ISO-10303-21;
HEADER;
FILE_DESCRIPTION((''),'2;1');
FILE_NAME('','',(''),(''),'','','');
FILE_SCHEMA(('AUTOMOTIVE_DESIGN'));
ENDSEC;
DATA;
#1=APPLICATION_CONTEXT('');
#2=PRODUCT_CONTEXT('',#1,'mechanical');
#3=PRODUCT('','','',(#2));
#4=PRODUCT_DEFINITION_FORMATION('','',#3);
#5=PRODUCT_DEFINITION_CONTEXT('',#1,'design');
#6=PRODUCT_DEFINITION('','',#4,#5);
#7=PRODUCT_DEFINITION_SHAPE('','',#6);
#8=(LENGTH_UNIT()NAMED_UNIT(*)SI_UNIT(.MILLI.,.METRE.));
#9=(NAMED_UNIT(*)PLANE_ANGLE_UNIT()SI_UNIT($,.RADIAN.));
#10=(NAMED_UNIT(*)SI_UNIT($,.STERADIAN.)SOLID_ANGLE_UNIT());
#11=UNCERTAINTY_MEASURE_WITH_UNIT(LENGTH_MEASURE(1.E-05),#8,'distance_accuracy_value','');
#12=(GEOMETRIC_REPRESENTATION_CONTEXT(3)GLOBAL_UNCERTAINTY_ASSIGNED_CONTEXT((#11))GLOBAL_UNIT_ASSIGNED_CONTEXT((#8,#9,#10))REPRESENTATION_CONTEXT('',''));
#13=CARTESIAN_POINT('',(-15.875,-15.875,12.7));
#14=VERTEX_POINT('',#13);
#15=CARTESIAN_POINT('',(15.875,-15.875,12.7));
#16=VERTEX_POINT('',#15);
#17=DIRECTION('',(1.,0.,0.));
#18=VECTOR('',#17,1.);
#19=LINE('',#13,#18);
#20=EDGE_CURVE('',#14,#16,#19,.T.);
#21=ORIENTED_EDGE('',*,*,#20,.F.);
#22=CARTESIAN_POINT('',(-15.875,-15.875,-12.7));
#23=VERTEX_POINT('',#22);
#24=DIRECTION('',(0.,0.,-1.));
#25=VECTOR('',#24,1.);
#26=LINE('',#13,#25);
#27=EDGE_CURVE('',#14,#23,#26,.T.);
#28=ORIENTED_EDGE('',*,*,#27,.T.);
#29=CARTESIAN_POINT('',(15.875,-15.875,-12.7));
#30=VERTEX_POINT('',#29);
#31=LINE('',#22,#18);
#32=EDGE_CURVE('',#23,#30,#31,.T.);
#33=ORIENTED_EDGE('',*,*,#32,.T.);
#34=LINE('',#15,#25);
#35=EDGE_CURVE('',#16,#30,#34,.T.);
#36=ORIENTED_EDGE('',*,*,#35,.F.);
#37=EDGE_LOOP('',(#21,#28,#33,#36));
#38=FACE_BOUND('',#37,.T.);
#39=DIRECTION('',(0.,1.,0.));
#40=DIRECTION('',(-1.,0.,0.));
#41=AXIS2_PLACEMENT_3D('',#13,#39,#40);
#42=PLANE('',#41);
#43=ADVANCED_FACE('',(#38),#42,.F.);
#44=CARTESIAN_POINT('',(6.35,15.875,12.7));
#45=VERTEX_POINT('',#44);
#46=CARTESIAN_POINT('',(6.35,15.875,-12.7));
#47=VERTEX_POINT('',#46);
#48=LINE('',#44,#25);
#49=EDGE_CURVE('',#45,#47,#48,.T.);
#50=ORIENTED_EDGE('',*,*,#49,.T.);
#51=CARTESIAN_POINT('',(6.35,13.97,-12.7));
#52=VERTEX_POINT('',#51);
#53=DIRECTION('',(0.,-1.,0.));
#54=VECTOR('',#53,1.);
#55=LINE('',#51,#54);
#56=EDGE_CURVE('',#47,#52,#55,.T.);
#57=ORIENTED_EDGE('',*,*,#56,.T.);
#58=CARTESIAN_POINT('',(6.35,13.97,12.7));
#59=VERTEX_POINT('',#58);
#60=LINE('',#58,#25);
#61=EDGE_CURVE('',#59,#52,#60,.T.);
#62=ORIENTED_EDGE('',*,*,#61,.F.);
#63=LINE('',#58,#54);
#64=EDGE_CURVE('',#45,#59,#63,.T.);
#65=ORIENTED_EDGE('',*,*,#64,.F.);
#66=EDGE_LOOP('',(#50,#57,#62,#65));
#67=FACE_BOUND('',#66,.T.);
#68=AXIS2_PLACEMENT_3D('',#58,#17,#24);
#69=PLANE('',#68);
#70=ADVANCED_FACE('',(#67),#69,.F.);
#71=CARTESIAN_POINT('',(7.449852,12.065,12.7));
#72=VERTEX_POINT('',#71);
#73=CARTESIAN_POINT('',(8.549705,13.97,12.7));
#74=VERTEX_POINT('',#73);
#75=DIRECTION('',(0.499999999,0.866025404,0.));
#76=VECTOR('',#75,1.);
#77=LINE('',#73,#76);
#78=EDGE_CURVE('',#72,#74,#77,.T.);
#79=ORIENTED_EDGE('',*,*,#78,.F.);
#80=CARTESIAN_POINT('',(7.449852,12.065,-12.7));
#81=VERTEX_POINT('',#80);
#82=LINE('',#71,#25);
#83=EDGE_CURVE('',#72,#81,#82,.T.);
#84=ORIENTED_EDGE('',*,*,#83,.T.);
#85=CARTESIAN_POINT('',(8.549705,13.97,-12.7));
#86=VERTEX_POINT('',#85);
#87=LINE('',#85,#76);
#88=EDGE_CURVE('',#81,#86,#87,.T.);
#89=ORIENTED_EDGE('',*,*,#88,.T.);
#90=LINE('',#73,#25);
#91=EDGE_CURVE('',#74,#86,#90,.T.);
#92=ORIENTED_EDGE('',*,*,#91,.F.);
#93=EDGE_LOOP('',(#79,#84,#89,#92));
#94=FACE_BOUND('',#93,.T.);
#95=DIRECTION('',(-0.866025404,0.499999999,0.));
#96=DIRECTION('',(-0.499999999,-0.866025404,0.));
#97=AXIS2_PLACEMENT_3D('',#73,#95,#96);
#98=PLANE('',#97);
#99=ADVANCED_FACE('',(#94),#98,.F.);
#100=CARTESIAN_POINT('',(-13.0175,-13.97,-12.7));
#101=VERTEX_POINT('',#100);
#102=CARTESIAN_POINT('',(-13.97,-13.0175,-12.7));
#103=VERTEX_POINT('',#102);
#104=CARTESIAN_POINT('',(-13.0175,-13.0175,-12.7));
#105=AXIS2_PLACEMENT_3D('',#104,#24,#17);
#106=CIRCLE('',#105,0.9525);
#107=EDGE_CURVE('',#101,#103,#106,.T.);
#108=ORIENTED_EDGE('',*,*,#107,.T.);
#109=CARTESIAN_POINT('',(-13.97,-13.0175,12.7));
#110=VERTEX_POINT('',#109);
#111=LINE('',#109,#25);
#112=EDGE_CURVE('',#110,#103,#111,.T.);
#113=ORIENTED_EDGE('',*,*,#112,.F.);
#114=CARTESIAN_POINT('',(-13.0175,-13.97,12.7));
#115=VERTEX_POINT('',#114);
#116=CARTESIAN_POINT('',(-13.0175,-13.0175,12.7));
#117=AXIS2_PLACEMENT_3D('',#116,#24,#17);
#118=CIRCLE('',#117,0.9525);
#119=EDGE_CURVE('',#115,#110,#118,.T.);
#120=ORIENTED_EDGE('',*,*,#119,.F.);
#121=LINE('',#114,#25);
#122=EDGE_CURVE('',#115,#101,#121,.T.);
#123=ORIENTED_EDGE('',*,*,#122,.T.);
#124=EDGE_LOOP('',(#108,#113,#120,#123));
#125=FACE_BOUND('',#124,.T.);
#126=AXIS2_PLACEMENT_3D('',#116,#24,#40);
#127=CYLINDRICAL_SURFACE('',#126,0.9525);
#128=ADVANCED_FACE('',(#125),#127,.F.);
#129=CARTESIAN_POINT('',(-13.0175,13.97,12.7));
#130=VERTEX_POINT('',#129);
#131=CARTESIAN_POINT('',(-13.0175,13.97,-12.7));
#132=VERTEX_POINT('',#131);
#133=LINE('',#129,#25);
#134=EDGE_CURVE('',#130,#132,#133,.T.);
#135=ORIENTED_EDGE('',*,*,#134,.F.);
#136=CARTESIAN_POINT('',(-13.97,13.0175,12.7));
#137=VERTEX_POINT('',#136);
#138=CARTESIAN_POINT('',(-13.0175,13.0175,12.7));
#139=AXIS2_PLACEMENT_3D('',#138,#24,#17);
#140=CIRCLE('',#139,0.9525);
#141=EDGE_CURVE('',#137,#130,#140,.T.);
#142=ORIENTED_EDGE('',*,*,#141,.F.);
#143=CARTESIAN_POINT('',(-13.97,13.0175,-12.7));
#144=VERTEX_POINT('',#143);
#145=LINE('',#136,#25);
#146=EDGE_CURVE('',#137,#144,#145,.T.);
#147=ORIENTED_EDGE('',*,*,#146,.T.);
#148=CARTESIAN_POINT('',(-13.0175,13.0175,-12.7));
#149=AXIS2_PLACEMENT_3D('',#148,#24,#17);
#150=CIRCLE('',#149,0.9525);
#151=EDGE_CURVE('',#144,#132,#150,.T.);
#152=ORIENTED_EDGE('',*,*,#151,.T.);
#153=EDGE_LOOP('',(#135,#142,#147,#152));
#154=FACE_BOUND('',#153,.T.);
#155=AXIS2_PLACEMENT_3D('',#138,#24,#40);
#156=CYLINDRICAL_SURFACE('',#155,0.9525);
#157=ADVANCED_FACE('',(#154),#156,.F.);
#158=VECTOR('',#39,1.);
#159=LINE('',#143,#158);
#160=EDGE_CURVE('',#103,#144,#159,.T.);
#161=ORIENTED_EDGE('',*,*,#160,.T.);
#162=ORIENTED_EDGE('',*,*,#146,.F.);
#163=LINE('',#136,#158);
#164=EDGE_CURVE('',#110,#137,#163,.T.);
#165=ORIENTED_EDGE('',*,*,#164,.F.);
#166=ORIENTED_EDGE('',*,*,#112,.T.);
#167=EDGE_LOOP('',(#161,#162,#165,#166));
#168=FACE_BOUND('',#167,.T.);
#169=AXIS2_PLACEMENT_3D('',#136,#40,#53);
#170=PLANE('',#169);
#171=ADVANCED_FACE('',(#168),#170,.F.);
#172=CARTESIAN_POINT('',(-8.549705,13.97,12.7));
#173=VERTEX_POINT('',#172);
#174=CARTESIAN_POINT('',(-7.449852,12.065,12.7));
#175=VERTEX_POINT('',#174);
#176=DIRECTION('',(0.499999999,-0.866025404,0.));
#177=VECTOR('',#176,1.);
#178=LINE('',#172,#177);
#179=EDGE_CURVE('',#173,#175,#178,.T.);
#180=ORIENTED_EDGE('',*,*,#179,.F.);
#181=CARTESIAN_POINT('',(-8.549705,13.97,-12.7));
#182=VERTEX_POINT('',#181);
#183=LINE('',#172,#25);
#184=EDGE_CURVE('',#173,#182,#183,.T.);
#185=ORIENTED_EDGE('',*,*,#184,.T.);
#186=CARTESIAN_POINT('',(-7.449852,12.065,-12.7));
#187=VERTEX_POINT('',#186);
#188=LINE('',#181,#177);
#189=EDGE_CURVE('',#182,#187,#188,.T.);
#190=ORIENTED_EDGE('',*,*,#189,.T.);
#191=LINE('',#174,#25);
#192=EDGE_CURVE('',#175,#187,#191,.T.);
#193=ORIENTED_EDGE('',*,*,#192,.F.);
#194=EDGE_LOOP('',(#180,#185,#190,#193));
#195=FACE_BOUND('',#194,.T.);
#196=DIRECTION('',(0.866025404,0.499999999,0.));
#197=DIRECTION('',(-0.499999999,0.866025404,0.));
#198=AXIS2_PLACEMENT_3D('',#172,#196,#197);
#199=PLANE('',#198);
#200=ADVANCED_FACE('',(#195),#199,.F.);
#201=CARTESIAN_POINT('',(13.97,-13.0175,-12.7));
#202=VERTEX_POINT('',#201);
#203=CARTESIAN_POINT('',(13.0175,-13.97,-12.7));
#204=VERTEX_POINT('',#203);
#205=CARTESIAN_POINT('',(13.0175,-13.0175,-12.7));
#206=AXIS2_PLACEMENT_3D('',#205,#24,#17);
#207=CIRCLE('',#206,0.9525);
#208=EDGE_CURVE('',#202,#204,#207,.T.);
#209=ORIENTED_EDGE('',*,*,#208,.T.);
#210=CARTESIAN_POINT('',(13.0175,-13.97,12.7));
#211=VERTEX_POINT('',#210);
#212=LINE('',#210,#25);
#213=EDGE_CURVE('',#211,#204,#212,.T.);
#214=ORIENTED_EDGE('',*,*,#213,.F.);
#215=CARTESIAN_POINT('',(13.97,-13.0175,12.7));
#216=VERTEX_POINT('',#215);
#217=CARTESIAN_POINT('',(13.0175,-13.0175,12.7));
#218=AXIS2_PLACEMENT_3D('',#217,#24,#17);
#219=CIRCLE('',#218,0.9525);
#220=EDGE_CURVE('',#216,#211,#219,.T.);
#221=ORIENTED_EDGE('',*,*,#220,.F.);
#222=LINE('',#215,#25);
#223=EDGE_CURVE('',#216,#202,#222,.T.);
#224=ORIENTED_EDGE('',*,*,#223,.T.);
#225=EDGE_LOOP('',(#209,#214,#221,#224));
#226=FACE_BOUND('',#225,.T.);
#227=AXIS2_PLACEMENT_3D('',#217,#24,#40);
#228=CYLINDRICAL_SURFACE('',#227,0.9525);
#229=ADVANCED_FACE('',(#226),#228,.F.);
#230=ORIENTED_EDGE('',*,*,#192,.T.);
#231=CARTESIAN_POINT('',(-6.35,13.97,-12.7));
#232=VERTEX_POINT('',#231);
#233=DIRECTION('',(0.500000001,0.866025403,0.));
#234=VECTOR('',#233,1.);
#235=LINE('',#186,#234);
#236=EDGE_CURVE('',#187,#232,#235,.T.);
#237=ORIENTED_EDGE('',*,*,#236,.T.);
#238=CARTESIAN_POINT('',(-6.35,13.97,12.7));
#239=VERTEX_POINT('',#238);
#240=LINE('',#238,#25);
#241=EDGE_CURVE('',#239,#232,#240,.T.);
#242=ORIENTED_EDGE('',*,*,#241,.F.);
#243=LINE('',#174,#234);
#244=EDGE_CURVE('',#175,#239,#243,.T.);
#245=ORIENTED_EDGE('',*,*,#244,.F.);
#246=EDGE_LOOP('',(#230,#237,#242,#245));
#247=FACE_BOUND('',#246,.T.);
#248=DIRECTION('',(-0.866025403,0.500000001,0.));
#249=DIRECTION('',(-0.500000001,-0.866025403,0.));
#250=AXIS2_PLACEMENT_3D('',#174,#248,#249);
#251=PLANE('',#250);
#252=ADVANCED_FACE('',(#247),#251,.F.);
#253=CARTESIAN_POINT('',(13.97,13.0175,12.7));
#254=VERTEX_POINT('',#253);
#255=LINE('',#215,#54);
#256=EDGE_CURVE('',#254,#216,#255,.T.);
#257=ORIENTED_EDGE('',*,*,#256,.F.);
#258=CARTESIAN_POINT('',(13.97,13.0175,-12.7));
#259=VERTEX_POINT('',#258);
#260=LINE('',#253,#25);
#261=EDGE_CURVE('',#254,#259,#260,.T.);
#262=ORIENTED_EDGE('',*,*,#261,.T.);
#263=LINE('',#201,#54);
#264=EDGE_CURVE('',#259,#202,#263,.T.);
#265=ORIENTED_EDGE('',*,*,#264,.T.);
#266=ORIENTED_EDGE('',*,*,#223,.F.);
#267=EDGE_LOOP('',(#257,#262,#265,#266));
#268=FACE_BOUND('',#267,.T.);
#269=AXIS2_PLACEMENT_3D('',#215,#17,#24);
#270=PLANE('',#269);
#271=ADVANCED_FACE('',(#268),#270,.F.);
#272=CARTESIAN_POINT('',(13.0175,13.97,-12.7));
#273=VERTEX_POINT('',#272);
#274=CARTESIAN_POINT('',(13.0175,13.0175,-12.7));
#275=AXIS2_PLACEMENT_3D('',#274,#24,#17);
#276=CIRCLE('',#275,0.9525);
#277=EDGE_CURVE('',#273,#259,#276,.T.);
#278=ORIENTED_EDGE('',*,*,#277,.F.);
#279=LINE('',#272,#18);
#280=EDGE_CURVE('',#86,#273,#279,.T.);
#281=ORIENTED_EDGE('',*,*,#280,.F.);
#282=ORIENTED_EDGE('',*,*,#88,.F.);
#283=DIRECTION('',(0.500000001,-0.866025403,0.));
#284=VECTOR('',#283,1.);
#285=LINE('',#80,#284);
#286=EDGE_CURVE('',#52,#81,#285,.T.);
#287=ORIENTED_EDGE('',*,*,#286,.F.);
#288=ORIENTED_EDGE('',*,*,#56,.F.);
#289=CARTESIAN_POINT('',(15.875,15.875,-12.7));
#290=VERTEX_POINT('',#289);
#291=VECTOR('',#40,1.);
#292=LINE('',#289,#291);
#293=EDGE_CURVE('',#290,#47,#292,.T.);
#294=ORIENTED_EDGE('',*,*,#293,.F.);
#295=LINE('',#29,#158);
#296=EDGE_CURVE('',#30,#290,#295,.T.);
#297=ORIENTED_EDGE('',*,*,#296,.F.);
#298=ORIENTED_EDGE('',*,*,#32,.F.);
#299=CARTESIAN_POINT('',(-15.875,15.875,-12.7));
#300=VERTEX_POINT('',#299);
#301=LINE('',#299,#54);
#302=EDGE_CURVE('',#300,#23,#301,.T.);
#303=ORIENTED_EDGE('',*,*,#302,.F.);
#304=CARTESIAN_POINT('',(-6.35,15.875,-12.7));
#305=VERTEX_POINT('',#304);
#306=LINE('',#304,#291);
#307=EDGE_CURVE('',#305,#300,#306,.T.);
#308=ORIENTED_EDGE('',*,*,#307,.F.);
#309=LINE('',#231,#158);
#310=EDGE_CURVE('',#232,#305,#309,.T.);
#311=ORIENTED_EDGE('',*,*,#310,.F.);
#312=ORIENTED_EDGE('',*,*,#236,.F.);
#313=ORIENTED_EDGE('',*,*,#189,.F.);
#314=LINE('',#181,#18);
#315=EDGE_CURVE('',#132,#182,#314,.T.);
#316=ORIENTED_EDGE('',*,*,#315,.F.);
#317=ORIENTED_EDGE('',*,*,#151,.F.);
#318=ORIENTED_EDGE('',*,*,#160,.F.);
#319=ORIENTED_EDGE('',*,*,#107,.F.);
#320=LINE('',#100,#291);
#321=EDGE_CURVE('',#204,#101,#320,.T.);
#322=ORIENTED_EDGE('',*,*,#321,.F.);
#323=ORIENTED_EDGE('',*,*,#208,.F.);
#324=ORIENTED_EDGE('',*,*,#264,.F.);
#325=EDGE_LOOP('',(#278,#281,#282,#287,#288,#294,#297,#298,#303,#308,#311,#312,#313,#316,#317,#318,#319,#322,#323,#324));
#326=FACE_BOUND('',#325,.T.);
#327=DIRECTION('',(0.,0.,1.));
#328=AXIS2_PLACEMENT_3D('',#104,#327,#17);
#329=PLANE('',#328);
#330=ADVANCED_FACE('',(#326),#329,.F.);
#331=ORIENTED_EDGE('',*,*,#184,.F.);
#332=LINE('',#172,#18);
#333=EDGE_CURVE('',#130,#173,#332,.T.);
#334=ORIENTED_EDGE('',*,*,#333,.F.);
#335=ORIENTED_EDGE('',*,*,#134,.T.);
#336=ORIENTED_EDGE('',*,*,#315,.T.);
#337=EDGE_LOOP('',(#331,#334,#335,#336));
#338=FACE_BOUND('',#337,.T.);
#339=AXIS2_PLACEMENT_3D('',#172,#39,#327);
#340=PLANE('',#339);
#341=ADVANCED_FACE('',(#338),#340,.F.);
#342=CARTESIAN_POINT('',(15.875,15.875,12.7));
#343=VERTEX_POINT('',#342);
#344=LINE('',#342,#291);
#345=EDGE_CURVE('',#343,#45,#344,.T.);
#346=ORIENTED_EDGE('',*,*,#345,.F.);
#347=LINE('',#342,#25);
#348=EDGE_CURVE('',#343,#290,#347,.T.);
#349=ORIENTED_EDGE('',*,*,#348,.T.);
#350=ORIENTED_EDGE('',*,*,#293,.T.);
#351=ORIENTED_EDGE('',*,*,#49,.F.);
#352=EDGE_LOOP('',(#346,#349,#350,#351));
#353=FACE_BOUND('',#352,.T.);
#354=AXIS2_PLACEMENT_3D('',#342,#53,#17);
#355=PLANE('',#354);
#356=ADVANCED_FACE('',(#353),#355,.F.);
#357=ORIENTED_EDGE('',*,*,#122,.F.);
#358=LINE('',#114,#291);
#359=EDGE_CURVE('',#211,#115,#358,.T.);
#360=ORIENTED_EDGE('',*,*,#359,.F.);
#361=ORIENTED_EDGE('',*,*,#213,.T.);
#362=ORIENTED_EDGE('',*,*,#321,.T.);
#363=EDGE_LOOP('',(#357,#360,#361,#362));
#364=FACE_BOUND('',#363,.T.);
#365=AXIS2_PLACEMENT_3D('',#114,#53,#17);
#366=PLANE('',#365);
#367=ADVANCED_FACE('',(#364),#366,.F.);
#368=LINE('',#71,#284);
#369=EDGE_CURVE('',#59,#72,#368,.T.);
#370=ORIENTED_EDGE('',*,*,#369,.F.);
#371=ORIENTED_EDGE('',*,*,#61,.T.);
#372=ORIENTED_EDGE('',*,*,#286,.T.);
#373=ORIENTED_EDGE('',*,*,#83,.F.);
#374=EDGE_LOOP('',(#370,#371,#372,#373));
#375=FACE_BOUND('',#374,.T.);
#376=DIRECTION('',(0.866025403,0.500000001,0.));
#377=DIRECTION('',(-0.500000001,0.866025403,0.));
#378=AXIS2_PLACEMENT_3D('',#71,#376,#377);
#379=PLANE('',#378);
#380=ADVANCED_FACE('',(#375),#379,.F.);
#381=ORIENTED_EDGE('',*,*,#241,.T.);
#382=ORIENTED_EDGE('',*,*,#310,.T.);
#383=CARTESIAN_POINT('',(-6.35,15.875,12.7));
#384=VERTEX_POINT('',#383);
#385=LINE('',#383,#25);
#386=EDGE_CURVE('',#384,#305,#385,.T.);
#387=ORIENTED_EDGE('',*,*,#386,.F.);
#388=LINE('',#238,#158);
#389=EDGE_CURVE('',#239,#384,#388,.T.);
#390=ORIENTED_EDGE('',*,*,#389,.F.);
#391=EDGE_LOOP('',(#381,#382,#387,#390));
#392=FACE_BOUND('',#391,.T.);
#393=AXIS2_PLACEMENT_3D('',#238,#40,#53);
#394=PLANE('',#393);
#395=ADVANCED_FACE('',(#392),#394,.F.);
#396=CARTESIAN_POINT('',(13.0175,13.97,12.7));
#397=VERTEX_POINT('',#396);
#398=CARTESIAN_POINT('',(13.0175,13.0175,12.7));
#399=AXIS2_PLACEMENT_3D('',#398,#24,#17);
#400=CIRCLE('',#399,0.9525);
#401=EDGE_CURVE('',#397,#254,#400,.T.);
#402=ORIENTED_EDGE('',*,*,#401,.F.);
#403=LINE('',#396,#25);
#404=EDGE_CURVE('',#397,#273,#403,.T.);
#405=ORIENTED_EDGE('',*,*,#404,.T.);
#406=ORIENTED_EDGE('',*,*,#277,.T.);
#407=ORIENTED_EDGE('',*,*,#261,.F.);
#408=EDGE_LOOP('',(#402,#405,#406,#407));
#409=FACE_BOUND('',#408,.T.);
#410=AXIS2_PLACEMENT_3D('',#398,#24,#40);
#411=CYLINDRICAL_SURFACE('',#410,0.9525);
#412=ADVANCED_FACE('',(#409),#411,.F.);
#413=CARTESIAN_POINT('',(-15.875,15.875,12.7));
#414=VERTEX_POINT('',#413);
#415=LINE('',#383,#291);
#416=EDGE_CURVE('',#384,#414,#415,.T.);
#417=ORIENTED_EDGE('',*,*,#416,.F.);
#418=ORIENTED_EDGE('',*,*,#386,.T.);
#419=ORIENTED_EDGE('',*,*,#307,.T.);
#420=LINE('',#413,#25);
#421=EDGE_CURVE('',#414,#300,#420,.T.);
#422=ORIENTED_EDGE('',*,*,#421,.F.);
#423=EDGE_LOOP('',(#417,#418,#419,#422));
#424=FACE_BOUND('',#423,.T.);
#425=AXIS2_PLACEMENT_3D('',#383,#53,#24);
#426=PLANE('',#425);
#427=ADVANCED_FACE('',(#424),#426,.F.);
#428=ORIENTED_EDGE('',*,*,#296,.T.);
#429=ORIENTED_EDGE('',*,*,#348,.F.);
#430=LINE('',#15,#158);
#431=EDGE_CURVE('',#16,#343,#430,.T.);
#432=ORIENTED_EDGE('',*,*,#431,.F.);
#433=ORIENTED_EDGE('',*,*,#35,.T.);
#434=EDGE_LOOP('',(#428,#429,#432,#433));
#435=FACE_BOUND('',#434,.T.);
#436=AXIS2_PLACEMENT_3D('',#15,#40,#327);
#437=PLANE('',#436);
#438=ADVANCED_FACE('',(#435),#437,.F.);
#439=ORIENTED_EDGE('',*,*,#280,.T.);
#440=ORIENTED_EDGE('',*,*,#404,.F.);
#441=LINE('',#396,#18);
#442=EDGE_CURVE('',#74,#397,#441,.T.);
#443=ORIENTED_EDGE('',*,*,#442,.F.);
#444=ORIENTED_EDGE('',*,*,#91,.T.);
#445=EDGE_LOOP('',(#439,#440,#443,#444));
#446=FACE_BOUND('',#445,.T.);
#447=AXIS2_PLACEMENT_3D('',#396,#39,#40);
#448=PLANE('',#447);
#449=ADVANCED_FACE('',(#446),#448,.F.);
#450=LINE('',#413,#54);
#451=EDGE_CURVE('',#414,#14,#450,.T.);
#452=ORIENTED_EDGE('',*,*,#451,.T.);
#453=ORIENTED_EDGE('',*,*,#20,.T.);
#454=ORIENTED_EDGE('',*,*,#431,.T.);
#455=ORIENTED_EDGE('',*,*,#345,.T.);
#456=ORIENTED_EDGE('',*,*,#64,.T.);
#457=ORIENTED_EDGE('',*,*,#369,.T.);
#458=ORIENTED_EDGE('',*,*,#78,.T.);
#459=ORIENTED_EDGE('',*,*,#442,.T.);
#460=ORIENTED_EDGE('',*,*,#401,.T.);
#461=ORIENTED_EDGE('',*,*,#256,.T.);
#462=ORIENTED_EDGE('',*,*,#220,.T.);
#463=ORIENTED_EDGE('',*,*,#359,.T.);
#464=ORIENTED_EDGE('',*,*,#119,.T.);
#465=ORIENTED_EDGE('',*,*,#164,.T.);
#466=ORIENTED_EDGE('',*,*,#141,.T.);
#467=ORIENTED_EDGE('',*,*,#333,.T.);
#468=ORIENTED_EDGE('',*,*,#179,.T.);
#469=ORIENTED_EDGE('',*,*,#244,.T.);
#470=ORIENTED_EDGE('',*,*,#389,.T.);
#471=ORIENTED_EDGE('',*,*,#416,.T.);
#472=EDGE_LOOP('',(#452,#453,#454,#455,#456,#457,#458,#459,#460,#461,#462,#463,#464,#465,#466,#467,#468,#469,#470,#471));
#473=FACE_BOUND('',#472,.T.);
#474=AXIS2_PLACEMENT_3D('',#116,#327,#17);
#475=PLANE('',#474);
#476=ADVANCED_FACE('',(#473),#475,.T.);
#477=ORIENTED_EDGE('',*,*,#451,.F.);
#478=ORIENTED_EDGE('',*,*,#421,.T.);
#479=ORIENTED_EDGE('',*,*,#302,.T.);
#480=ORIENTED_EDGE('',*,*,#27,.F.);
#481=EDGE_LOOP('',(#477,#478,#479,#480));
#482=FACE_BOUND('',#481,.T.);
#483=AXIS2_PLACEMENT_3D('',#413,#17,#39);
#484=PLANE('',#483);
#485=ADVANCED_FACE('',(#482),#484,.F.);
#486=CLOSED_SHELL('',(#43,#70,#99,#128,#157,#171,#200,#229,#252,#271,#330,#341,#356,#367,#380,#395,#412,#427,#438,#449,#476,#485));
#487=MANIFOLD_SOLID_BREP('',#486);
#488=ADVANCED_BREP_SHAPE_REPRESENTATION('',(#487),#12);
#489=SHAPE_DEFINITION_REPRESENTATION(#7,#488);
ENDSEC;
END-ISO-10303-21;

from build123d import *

# Parameters (mm, degrees)
BASE_EXTRUDE_DEPTH = 12.7


with BuildPart() as part:
    # Sketch1 → Base-Extrude (new, symmetric)
    with BuildSketch(Plane.XY):
        with BuildLine():
            Line((-6.35, 15.875), (-15.875, 15.875))
            Line((-15.875, 15.875), (-15.875, -15.875))
            Line((-15.875, -15.875), (15.875, -15.875))
            Line((15.875, -15.875), (15.875, 15.875))
            Line((15.875, 15.875), (6.35, 15.875))
            Line((6.35, 15.875), (6.35, 13.97))
            Line((6.35, 13.97), (7.449852264, 12.065))
            Line((7.449852264, 12.065), (8.549704526, 13.97))
            Line((8.549704526, 13.97), (13.0175, 13.97))
            ThreePointArc((13.0175, 13.97), (13.691019209, 13.691019209), (13.97, 13.0175))
            Line((13.97, 13.0175), (13.97, -13.0175))
            ThreePointArc((13.97, -13.0175), (13.691019209, -13.691019209), (13.0175, -13.97))
            Line((13.0175, -13.97), (-13.0175, -13.97))
            ThreePointArc((-13.0175, -13.97), (-13.691019209, -13.691019209), (-13.97, -13.0175))
            Line((-13.97, -13.0175), (-13.97, 13.0175))
            ThreePointArc((-13.97, 13.0175), (-13.691019209, 13.691019209), (-13.0175, 13.97))
            Line((-13.0175, 13.97), (-8.549704526, 13.97))
            Line((-8.549704526, 13.97), (-7.449852264, 12.065))
            Line((-7.449852264, 12.065), (-6.35, 13.97))
            Line((-6.35, 13.97), (-6.35, 15.875))
        make_face()
    extrude(amount=BASE_EXTRUDE_DEPTH, both=True)


solid = part.part
